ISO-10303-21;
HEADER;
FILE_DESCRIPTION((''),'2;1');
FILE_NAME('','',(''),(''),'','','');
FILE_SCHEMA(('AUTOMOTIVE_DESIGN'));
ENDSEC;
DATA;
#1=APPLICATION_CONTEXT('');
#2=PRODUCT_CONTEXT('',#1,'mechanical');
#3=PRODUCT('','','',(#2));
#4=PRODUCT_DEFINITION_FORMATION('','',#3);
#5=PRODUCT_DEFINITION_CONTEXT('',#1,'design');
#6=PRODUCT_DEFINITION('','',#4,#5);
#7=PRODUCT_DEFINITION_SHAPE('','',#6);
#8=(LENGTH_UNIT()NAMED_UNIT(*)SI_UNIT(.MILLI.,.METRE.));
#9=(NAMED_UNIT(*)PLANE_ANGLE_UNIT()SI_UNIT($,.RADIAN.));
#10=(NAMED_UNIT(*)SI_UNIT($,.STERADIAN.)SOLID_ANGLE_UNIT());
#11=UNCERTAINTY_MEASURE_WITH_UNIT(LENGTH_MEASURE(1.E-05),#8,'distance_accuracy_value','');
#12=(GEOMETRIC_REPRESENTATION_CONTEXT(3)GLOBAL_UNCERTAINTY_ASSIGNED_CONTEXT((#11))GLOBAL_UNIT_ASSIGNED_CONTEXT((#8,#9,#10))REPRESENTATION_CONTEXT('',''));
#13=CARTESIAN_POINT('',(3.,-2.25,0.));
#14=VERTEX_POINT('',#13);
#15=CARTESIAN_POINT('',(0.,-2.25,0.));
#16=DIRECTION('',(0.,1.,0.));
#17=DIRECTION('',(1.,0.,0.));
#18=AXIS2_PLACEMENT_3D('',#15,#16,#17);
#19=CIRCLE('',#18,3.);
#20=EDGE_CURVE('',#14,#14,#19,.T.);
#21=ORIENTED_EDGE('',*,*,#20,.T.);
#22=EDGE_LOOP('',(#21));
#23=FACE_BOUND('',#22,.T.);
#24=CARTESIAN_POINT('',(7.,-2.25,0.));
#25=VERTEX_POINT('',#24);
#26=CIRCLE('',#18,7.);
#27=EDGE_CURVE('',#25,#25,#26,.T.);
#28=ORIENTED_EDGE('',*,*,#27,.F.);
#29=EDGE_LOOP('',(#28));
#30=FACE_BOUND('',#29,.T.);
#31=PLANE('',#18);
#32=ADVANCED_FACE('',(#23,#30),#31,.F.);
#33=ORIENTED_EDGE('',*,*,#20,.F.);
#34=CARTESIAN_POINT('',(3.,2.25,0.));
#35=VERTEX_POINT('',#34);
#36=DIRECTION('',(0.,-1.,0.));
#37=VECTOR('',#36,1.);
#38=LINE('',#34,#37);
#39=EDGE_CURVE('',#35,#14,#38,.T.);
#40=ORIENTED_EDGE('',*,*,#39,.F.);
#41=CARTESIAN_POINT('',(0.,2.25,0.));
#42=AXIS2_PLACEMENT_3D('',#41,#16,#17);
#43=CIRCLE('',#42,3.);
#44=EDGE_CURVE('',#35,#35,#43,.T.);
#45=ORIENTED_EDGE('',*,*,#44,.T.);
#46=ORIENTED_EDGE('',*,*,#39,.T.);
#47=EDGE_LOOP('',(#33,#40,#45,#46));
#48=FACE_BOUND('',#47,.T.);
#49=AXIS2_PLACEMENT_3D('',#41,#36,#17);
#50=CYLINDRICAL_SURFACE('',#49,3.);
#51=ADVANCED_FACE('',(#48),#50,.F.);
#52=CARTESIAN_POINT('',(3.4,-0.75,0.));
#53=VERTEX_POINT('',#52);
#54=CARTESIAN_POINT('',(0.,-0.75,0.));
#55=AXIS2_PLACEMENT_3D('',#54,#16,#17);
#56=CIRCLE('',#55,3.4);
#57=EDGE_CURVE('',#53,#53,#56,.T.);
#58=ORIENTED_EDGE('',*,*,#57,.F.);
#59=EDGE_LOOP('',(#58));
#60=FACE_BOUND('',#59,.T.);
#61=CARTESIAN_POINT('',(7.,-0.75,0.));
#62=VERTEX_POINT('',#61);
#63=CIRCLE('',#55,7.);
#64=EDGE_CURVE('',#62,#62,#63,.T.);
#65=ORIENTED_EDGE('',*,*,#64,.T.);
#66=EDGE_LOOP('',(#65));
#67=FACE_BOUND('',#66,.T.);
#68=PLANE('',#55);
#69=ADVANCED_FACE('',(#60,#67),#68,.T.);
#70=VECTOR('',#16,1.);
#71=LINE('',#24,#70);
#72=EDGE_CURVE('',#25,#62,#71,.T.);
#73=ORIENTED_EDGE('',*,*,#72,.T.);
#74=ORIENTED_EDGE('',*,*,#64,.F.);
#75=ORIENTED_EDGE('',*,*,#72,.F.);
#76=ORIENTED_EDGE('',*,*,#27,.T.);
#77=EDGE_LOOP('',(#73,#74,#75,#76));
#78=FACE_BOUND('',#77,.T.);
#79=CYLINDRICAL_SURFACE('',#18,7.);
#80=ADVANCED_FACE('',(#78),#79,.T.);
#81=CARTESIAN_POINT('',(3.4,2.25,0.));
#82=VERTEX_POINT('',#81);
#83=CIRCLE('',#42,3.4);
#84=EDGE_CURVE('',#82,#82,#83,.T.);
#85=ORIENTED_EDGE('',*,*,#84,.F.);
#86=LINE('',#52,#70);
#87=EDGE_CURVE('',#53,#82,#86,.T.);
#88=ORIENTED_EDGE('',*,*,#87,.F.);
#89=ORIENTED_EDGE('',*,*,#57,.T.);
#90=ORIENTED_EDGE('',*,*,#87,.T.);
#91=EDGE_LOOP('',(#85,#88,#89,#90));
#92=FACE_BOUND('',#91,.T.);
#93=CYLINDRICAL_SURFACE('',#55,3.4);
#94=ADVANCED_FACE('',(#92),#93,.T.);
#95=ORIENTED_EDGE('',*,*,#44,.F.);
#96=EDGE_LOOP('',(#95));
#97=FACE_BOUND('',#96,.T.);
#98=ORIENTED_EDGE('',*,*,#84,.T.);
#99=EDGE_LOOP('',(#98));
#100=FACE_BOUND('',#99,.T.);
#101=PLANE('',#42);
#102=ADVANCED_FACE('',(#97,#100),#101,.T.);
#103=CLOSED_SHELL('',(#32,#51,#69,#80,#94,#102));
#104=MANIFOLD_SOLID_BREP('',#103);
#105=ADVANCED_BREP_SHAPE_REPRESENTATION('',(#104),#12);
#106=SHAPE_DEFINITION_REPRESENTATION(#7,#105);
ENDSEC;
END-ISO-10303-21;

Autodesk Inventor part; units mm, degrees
ref_plane "YZ Plane" through (0, 0, 0) normal (1, 0, 0) x (0, 1, 0)
ref_plane "XZ Plane" through (0, 0, 0) normal (0, 1, 0) x (-1, 0, 0)
ref_plane "XY Plane" through (0, 0, 0) normal (0, 0, 1) x (1, 0, 0)
sketch "スケッチ1" plane through (0, 0, 0) normal (0, 0, 1) x (1, 0, 0)
  line L0 (3, 2.25) -> (3, -2.25)
  line L1 (3, -2.25) -> (7, -2.25)
  line L2 (7, -2.25) -> (7, -0.75)
  line L3 (7, -0.75) -> (3.4, -0.75)
  line L4 (3.4, -0.75) -> (3.4, 2.25)
  line L5 (3.4, 2.25) -> (3, 2.25)
  line L6 (0, 0) -> (0, 3.1564) construction
  point P0 (3, 0)
  dimension "d0" = 6
  dimension "d1" = 6.8
  dimension "d2" = 14
  dimension "d3" = 1.5
  dimension "d4" = 3
revolve "回転1" add sketch "スケッチ1" angle 360 about axis through (0, 0, 0) along (0, 1, 0)
properties part number "D6068-4530" material "アセタール樹脂、白"
